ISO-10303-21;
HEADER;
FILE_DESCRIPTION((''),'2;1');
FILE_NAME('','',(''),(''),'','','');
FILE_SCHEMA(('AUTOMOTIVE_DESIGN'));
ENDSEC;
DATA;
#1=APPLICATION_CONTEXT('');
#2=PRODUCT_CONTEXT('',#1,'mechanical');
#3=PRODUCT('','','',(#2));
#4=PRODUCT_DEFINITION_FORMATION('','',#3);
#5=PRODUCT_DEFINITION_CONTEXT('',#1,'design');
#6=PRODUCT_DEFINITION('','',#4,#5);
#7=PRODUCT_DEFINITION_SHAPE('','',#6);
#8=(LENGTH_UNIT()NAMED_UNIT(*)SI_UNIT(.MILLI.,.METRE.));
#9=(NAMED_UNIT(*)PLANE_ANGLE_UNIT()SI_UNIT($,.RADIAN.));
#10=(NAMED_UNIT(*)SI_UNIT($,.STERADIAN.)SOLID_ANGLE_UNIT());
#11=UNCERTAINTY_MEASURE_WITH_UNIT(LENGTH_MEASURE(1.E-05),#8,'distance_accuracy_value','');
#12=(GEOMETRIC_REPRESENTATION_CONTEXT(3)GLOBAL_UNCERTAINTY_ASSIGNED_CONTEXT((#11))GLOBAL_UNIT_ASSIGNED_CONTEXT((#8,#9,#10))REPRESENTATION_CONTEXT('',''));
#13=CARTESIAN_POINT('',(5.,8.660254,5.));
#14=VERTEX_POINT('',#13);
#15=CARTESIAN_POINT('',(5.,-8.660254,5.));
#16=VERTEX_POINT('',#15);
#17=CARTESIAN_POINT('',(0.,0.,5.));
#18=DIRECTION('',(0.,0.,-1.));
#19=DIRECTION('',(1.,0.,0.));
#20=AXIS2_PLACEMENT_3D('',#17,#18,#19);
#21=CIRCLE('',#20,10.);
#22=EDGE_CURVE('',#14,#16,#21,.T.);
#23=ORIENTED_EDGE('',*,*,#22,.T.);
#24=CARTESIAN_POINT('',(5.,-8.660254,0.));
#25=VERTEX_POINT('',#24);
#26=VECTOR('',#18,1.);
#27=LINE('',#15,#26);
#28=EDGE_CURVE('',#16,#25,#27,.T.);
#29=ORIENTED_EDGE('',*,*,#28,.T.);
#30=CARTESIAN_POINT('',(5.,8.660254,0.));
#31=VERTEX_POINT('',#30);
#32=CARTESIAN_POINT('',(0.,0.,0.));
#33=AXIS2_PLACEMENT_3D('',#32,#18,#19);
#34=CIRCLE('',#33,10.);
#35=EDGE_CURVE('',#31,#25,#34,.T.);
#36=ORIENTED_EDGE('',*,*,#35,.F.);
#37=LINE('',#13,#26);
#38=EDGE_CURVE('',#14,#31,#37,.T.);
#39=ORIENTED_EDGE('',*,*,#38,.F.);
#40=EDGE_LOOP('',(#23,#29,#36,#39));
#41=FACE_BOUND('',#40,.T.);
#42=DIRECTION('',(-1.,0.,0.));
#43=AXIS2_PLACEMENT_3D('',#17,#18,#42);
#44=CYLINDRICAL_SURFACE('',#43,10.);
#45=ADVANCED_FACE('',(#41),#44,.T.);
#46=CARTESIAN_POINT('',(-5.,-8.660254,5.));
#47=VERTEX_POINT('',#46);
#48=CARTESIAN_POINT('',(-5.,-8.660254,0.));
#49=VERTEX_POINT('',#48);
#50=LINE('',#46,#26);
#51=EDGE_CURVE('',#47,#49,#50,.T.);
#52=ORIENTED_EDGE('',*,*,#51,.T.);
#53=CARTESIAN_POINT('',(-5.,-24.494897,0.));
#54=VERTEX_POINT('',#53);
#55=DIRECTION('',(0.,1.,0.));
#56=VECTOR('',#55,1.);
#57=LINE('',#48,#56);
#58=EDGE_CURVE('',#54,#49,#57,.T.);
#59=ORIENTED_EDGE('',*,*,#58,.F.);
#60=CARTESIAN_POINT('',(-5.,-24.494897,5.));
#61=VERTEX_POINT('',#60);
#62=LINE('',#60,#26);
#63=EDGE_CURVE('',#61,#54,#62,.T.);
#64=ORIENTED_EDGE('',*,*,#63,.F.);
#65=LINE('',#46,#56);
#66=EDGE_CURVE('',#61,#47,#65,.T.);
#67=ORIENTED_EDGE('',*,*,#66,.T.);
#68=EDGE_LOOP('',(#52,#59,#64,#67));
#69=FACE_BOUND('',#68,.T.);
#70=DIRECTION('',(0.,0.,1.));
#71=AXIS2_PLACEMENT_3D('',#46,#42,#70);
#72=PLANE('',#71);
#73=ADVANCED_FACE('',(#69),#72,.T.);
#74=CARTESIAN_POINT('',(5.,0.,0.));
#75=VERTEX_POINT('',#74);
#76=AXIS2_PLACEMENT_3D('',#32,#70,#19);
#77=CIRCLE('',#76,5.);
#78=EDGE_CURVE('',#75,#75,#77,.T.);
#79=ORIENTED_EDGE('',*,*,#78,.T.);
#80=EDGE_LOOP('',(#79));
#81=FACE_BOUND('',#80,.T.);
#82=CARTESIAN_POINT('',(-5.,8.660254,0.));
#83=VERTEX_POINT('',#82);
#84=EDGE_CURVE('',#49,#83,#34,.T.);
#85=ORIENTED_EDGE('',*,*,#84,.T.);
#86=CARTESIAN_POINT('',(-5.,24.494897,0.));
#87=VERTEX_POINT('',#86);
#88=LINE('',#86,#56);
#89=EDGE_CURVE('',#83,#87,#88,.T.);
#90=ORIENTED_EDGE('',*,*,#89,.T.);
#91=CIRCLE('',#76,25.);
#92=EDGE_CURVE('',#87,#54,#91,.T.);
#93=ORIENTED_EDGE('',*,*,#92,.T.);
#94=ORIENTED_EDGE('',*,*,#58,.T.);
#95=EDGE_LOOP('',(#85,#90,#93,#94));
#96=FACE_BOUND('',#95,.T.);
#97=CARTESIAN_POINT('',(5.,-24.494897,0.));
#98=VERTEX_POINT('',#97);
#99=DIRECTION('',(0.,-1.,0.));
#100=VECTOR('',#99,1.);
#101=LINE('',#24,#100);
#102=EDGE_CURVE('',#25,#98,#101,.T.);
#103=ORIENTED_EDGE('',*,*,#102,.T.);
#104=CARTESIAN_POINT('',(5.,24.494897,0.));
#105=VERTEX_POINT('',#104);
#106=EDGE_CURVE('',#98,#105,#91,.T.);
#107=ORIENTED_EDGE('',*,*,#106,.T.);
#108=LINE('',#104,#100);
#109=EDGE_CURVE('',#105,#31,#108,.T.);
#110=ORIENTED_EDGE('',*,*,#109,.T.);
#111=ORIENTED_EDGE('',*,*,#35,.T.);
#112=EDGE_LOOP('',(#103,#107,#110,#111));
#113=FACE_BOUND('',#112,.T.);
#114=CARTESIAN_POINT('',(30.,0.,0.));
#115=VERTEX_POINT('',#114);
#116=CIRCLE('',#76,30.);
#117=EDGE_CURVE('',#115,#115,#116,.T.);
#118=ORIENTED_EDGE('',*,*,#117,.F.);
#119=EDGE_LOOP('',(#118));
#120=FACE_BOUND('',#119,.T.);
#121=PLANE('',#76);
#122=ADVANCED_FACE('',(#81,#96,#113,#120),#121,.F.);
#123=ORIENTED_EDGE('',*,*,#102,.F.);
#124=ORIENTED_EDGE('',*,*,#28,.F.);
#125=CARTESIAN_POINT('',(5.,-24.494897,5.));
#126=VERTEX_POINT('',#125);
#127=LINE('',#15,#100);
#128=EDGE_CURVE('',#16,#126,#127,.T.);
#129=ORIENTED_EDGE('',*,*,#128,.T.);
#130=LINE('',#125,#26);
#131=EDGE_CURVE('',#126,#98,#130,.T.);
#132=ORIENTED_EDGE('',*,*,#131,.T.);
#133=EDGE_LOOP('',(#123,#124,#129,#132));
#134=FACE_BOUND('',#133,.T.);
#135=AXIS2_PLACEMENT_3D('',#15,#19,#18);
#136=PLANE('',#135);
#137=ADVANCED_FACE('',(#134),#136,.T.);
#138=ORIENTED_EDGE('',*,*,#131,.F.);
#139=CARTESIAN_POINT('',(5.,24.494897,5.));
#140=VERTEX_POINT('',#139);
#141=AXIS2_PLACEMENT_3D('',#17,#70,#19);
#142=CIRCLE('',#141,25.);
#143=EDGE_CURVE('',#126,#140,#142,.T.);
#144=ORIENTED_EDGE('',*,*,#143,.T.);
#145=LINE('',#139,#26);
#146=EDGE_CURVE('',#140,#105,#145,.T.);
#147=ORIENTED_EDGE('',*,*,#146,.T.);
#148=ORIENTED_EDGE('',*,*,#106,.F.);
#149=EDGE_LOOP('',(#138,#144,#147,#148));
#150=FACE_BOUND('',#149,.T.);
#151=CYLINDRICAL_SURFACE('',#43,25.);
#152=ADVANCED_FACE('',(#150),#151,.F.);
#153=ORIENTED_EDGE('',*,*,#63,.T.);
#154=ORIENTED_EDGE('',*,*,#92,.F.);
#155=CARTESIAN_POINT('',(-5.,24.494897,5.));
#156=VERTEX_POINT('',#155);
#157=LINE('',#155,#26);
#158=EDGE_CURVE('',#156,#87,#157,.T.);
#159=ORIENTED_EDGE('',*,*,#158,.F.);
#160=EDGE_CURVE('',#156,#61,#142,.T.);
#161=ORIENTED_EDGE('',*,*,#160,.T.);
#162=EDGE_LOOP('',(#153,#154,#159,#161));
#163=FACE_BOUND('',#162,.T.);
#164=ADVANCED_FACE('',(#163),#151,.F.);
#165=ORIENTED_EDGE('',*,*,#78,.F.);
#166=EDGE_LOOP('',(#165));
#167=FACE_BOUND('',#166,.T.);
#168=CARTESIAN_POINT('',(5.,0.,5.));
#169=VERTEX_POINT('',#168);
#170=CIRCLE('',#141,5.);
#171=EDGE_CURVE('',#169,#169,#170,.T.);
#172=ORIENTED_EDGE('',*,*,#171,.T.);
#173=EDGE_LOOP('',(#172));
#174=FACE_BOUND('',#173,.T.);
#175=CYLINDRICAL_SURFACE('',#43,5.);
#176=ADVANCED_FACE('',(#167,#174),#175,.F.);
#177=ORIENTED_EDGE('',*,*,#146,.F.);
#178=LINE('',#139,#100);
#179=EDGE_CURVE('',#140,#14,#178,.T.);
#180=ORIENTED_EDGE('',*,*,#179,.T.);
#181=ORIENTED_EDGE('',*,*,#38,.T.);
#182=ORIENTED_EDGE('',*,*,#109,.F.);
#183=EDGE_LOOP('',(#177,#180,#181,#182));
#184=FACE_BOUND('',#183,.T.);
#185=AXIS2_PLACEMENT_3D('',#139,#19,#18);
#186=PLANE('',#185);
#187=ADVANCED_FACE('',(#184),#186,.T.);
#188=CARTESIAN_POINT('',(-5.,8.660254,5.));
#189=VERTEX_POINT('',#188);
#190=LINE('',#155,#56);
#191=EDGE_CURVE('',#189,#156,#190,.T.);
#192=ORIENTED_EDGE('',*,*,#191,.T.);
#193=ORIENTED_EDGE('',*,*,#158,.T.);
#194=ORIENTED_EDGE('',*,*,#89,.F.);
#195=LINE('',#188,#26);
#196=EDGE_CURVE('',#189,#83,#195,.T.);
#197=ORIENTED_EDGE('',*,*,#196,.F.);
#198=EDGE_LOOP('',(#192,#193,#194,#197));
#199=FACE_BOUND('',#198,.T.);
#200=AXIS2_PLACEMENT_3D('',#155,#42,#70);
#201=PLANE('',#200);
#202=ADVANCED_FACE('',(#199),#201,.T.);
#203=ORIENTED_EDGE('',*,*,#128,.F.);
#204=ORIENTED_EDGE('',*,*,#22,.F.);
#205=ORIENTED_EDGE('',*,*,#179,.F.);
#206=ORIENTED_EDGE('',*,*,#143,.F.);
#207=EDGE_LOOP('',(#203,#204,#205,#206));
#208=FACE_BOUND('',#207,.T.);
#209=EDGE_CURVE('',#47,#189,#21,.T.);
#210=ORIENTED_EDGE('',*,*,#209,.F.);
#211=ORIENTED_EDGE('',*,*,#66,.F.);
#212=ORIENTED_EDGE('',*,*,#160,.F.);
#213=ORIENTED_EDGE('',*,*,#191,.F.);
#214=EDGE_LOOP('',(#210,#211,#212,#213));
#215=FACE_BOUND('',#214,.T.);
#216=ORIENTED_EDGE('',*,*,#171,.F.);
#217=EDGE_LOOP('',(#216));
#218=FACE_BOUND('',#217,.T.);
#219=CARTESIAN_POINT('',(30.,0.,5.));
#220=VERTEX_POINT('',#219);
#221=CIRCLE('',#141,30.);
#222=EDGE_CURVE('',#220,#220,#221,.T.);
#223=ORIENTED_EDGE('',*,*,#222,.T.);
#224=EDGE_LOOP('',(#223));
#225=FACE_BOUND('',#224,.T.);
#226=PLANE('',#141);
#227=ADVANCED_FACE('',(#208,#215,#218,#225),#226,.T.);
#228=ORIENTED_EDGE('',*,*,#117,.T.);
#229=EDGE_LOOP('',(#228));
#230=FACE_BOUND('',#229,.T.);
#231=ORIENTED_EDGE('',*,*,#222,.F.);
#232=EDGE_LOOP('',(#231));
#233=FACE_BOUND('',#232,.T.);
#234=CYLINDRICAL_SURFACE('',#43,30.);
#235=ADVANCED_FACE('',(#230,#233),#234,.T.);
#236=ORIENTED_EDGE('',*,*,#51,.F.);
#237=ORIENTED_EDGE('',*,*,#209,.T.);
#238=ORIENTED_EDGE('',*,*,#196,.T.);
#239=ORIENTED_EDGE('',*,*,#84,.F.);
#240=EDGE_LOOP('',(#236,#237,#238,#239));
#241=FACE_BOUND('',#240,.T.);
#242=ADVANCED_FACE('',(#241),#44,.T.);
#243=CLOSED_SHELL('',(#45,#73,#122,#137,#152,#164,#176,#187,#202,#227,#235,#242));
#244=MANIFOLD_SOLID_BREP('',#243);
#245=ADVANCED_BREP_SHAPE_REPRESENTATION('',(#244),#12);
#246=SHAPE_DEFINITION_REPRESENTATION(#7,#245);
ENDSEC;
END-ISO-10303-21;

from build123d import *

# Parameters (mm, degrees)
SKETCH1_R           = 30
SKETCH1_R_2         = 5
BOSS_EXTRUDE1_DEPTH = 5


with BuildPart() as part:
    # Sketch1 → Boss-Extrude1 (new body)
    with BuildSketch(Plane.XY):
        Circle(SKETCH1_R)
        Circle(SKETCH1_R_2, mode=Mode.SUBTRACT)
        with BuildLine():
            Line((-5, 24.494897428), (-5, 8.660254038))
            ThreePointArc((-5, 8.660254038), (-10, 0), (-5, -8.660254038))
            Line((-5, -8.660254038), (-5, -24.494897428))
            ThreePointArc((-5, -24.494897428), (-25, 0), (-5, 24.494897428))
        make_face(mode=Mode.SUBTRACT)
        with BuildLine():
            Line((5, 24.494897428), (5, 8.660254038))
            ThreePointArc((5, 8.660254038), (10, 0), (5, -8.660254038))
            Line((5, -8.660254038), (5, -24.494897428))
            ThreePointArc((5, -24.494897428), (25, 0), (5, 24.494897428))
        make_face(mode=Mode.SUBTRACT)
    extrude(amount=BOSS_EXTRUDE1_DEPTH)


solid = part.part
